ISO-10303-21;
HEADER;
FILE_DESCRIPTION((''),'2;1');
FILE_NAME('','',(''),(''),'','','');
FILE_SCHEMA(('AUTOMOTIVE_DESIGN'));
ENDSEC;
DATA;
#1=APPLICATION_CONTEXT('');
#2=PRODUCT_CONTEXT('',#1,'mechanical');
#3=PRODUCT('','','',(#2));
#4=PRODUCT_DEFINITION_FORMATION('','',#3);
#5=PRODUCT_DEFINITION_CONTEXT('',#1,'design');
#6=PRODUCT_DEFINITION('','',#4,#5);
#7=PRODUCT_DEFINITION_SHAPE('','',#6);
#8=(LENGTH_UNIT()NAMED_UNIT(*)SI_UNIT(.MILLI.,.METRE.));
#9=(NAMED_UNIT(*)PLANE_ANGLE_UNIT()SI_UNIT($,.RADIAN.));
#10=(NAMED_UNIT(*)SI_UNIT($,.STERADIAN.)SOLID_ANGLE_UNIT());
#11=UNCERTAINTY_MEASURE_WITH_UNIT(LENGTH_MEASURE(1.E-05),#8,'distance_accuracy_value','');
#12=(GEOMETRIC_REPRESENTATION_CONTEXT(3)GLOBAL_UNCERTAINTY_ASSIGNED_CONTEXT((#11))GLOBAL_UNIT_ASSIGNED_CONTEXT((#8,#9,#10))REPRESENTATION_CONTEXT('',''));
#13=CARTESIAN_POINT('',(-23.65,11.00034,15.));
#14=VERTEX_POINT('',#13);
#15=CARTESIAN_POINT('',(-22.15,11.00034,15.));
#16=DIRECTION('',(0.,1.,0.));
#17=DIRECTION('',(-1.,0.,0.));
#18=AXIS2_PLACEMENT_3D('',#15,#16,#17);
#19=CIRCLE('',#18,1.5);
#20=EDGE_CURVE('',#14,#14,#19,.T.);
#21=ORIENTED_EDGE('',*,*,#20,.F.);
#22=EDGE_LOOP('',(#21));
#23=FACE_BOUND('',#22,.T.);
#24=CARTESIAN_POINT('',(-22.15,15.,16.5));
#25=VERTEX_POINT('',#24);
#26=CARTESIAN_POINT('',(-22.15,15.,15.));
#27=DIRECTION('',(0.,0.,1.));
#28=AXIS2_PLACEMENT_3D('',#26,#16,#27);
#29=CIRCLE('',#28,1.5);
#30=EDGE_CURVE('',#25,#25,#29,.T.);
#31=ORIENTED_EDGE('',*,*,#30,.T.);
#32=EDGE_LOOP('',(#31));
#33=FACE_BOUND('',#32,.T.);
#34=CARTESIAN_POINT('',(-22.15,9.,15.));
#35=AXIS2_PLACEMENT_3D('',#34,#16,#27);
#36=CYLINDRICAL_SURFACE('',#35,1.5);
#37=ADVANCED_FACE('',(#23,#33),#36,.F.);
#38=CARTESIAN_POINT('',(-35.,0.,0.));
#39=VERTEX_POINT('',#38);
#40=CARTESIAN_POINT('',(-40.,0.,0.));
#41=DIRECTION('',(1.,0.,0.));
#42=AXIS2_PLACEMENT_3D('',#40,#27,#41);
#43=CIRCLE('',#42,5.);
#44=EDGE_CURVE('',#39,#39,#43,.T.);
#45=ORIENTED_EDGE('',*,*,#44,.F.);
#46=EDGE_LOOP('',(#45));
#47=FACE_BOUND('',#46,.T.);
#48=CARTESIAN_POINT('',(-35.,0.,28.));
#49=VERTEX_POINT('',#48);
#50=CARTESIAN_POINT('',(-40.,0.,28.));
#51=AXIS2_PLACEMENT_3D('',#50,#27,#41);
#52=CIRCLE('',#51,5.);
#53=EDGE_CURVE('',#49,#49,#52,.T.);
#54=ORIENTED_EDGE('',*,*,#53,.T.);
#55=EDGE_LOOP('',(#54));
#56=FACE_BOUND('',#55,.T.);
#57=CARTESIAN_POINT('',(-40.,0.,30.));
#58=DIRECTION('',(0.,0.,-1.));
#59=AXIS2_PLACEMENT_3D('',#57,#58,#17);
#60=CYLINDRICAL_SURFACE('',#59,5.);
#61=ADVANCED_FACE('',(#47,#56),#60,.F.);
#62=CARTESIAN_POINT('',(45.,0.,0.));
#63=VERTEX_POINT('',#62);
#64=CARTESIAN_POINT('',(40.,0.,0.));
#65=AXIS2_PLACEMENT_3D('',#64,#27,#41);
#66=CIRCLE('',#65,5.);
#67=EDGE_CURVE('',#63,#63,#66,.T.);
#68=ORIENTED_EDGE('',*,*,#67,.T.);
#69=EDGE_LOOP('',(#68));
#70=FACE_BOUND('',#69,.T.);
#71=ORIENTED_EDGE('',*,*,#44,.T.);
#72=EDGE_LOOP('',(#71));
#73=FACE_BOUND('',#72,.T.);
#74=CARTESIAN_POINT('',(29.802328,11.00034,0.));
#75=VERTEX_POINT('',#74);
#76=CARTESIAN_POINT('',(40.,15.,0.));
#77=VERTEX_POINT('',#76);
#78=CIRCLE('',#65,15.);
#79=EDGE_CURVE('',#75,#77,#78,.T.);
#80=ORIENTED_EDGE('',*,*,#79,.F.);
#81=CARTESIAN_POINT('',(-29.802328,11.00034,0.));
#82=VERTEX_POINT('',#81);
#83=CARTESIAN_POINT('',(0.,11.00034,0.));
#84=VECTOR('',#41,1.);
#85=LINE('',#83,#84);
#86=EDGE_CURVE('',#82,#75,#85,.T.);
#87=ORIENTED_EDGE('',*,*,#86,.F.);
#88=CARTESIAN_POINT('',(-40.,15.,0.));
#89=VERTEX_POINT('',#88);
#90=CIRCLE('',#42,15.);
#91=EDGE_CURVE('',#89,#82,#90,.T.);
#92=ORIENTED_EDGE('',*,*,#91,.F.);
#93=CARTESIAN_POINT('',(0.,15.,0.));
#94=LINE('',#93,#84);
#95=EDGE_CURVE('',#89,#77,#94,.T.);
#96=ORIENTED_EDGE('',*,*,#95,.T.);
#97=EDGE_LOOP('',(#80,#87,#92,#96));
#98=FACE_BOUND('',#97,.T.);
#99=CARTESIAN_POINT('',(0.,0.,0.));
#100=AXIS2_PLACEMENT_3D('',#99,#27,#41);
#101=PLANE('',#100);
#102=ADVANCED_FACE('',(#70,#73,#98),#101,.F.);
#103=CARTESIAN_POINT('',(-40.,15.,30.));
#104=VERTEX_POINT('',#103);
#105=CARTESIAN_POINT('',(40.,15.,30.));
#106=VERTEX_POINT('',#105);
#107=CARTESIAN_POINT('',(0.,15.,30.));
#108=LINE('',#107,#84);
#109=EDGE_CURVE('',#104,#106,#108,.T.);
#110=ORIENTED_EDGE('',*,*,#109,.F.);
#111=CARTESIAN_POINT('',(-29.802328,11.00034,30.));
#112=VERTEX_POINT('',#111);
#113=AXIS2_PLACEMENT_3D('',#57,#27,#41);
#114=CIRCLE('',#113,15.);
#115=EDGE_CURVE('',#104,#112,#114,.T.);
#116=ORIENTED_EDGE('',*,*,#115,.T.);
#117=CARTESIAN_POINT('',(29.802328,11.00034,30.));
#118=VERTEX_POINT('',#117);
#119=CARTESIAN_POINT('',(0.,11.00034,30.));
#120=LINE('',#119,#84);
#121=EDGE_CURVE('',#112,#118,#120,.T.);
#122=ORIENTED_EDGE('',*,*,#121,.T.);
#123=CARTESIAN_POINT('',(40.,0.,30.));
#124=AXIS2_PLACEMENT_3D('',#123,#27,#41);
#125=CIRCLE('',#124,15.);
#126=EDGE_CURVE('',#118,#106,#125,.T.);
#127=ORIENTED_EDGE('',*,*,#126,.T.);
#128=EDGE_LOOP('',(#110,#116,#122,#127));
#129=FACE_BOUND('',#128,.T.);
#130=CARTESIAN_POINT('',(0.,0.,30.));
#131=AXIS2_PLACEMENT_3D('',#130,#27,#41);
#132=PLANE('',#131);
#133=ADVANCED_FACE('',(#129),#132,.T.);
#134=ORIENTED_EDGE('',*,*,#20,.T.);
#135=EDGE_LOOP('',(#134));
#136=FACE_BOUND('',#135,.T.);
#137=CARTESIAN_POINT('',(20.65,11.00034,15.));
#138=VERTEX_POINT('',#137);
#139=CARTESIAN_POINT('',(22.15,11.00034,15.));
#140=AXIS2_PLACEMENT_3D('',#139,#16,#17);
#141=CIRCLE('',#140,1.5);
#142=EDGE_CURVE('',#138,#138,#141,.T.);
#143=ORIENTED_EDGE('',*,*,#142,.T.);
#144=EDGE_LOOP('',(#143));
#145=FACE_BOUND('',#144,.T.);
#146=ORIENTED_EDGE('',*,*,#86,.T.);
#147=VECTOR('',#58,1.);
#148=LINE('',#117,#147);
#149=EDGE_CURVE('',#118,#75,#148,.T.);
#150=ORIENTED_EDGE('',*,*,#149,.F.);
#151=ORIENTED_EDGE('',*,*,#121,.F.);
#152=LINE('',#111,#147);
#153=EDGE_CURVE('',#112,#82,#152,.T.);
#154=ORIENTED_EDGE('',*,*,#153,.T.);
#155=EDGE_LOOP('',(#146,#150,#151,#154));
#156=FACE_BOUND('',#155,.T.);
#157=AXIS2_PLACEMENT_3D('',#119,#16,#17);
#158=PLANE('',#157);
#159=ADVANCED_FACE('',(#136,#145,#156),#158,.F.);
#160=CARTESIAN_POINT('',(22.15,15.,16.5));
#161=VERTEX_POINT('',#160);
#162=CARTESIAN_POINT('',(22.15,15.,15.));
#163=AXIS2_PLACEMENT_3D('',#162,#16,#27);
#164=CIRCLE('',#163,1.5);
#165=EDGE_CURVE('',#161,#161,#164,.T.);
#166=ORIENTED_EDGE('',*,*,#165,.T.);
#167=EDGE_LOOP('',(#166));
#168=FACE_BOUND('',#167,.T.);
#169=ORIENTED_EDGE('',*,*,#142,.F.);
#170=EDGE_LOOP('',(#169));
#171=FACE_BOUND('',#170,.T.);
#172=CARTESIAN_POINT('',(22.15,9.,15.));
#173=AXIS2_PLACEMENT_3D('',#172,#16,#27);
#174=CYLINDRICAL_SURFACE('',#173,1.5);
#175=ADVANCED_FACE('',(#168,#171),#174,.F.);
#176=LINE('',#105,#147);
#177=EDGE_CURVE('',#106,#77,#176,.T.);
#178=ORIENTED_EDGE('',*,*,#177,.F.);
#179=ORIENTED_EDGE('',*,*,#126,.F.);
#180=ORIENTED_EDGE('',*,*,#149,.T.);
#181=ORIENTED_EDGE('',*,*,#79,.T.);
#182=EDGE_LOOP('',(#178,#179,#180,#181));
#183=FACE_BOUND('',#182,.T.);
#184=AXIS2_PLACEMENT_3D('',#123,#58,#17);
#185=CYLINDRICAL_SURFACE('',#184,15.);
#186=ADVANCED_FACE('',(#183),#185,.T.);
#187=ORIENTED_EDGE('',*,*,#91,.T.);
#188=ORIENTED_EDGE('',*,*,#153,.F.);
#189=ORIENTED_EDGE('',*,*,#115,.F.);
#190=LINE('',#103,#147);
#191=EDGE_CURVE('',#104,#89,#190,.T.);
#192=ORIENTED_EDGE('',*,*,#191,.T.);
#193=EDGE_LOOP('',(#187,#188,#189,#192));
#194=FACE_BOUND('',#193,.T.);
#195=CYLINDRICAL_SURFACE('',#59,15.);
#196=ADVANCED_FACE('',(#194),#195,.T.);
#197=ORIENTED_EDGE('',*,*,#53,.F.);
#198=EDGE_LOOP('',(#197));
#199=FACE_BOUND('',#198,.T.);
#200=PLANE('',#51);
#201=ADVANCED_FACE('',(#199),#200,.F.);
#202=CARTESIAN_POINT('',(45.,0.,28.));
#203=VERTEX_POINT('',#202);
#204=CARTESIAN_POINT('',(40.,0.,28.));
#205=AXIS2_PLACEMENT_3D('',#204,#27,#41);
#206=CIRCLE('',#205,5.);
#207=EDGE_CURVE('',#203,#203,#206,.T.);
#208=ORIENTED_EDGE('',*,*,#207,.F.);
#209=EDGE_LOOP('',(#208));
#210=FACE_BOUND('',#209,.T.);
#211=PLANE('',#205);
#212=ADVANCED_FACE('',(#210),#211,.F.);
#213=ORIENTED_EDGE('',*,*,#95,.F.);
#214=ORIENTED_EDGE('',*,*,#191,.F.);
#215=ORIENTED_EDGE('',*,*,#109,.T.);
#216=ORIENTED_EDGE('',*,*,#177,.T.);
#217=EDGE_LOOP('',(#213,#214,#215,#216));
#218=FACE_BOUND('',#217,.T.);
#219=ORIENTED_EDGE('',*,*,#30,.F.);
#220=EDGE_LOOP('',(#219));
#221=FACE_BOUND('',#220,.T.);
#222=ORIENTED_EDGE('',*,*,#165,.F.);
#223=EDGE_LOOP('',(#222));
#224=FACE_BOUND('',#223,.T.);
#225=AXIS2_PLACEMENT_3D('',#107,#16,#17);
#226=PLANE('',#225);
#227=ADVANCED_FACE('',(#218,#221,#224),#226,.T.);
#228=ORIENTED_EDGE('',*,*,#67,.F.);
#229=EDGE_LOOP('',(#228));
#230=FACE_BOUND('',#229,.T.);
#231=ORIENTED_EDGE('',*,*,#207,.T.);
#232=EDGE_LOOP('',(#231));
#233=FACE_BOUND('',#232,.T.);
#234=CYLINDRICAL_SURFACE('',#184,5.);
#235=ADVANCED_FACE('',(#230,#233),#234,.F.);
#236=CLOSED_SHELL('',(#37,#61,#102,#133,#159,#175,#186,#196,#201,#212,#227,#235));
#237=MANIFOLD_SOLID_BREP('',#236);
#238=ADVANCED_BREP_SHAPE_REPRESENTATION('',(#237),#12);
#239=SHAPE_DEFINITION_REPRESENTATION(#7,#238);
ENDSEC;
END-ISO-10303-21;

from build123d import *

# Parameters (mm, degrees)
SKETCH1_R           = 5
BOSS_EXTRUDE1_DEPTH = 30
SKETCH3_R           = 1.5
CUT_EXTRUDE1_DEPTH  = 6
SKETCH5_R           = 9.45
BOSS_EXTRUDE2_DEPTH = 2


with BuildPart() as part:
    # Sketch1 → Boss-Extrude1 (new body)
    with BuildSketch(Plane.XY):
        with BuildLine():
            Line((-40, 15), (40, 15))
            ThreePointArc((40, 15), (45.476992863, -13.964331319), (29.802327604, 11.00033989))
            Line((29.802327604, 11.00033989), (-29.802327604, 11.00033989))
            ThreePointArc((-29.802327604, 11.00033989), (-45.476992863, -13.964331319), (-40, 15))
        make_face()
        with Locations((-40, 0)):
            Circle(SKETCH1_R, mode=Mode.SUBTRACT)
        with Locations((40, 0)):
            Circle(SKETCH1_R, mode=Mode.SUBTRACT)
    extrude(amount=BOSS_EXTRUDE1_DEPTH)

    # Sketch3 → Cut-Extrude1 (cut)
    with BuildSketch(Plane(origin=(0, 15, 0), x_dir=(1, 0, 0), z_dir=(0, 1, 0))):
        with Locations(Location((-22.15, -15, 0), (0, 0, 270))):
            Circle(SKETCH3_R)
        with Locations(Location((22.15, -15, 0), (0, 0, 270))):
            Circle(SKETCH3_R)
    extrude(amount=-CUT_EXTRUDE1_DEPTH, mode=Mode.SUBTRACT)

    # Sketch5 → Boss-Extrude2 (add)
    with BuildSketch(Plane.XY.offset(30)):
        with Locations((-40, 0)):
            Circle(SKETCH5_R)
        with Locations((40, 0)):
            Circle(SKETCH5_R)
    extrude(amount=-BOSS_EXTRUDE2_DEPTH)


solid = part.part
